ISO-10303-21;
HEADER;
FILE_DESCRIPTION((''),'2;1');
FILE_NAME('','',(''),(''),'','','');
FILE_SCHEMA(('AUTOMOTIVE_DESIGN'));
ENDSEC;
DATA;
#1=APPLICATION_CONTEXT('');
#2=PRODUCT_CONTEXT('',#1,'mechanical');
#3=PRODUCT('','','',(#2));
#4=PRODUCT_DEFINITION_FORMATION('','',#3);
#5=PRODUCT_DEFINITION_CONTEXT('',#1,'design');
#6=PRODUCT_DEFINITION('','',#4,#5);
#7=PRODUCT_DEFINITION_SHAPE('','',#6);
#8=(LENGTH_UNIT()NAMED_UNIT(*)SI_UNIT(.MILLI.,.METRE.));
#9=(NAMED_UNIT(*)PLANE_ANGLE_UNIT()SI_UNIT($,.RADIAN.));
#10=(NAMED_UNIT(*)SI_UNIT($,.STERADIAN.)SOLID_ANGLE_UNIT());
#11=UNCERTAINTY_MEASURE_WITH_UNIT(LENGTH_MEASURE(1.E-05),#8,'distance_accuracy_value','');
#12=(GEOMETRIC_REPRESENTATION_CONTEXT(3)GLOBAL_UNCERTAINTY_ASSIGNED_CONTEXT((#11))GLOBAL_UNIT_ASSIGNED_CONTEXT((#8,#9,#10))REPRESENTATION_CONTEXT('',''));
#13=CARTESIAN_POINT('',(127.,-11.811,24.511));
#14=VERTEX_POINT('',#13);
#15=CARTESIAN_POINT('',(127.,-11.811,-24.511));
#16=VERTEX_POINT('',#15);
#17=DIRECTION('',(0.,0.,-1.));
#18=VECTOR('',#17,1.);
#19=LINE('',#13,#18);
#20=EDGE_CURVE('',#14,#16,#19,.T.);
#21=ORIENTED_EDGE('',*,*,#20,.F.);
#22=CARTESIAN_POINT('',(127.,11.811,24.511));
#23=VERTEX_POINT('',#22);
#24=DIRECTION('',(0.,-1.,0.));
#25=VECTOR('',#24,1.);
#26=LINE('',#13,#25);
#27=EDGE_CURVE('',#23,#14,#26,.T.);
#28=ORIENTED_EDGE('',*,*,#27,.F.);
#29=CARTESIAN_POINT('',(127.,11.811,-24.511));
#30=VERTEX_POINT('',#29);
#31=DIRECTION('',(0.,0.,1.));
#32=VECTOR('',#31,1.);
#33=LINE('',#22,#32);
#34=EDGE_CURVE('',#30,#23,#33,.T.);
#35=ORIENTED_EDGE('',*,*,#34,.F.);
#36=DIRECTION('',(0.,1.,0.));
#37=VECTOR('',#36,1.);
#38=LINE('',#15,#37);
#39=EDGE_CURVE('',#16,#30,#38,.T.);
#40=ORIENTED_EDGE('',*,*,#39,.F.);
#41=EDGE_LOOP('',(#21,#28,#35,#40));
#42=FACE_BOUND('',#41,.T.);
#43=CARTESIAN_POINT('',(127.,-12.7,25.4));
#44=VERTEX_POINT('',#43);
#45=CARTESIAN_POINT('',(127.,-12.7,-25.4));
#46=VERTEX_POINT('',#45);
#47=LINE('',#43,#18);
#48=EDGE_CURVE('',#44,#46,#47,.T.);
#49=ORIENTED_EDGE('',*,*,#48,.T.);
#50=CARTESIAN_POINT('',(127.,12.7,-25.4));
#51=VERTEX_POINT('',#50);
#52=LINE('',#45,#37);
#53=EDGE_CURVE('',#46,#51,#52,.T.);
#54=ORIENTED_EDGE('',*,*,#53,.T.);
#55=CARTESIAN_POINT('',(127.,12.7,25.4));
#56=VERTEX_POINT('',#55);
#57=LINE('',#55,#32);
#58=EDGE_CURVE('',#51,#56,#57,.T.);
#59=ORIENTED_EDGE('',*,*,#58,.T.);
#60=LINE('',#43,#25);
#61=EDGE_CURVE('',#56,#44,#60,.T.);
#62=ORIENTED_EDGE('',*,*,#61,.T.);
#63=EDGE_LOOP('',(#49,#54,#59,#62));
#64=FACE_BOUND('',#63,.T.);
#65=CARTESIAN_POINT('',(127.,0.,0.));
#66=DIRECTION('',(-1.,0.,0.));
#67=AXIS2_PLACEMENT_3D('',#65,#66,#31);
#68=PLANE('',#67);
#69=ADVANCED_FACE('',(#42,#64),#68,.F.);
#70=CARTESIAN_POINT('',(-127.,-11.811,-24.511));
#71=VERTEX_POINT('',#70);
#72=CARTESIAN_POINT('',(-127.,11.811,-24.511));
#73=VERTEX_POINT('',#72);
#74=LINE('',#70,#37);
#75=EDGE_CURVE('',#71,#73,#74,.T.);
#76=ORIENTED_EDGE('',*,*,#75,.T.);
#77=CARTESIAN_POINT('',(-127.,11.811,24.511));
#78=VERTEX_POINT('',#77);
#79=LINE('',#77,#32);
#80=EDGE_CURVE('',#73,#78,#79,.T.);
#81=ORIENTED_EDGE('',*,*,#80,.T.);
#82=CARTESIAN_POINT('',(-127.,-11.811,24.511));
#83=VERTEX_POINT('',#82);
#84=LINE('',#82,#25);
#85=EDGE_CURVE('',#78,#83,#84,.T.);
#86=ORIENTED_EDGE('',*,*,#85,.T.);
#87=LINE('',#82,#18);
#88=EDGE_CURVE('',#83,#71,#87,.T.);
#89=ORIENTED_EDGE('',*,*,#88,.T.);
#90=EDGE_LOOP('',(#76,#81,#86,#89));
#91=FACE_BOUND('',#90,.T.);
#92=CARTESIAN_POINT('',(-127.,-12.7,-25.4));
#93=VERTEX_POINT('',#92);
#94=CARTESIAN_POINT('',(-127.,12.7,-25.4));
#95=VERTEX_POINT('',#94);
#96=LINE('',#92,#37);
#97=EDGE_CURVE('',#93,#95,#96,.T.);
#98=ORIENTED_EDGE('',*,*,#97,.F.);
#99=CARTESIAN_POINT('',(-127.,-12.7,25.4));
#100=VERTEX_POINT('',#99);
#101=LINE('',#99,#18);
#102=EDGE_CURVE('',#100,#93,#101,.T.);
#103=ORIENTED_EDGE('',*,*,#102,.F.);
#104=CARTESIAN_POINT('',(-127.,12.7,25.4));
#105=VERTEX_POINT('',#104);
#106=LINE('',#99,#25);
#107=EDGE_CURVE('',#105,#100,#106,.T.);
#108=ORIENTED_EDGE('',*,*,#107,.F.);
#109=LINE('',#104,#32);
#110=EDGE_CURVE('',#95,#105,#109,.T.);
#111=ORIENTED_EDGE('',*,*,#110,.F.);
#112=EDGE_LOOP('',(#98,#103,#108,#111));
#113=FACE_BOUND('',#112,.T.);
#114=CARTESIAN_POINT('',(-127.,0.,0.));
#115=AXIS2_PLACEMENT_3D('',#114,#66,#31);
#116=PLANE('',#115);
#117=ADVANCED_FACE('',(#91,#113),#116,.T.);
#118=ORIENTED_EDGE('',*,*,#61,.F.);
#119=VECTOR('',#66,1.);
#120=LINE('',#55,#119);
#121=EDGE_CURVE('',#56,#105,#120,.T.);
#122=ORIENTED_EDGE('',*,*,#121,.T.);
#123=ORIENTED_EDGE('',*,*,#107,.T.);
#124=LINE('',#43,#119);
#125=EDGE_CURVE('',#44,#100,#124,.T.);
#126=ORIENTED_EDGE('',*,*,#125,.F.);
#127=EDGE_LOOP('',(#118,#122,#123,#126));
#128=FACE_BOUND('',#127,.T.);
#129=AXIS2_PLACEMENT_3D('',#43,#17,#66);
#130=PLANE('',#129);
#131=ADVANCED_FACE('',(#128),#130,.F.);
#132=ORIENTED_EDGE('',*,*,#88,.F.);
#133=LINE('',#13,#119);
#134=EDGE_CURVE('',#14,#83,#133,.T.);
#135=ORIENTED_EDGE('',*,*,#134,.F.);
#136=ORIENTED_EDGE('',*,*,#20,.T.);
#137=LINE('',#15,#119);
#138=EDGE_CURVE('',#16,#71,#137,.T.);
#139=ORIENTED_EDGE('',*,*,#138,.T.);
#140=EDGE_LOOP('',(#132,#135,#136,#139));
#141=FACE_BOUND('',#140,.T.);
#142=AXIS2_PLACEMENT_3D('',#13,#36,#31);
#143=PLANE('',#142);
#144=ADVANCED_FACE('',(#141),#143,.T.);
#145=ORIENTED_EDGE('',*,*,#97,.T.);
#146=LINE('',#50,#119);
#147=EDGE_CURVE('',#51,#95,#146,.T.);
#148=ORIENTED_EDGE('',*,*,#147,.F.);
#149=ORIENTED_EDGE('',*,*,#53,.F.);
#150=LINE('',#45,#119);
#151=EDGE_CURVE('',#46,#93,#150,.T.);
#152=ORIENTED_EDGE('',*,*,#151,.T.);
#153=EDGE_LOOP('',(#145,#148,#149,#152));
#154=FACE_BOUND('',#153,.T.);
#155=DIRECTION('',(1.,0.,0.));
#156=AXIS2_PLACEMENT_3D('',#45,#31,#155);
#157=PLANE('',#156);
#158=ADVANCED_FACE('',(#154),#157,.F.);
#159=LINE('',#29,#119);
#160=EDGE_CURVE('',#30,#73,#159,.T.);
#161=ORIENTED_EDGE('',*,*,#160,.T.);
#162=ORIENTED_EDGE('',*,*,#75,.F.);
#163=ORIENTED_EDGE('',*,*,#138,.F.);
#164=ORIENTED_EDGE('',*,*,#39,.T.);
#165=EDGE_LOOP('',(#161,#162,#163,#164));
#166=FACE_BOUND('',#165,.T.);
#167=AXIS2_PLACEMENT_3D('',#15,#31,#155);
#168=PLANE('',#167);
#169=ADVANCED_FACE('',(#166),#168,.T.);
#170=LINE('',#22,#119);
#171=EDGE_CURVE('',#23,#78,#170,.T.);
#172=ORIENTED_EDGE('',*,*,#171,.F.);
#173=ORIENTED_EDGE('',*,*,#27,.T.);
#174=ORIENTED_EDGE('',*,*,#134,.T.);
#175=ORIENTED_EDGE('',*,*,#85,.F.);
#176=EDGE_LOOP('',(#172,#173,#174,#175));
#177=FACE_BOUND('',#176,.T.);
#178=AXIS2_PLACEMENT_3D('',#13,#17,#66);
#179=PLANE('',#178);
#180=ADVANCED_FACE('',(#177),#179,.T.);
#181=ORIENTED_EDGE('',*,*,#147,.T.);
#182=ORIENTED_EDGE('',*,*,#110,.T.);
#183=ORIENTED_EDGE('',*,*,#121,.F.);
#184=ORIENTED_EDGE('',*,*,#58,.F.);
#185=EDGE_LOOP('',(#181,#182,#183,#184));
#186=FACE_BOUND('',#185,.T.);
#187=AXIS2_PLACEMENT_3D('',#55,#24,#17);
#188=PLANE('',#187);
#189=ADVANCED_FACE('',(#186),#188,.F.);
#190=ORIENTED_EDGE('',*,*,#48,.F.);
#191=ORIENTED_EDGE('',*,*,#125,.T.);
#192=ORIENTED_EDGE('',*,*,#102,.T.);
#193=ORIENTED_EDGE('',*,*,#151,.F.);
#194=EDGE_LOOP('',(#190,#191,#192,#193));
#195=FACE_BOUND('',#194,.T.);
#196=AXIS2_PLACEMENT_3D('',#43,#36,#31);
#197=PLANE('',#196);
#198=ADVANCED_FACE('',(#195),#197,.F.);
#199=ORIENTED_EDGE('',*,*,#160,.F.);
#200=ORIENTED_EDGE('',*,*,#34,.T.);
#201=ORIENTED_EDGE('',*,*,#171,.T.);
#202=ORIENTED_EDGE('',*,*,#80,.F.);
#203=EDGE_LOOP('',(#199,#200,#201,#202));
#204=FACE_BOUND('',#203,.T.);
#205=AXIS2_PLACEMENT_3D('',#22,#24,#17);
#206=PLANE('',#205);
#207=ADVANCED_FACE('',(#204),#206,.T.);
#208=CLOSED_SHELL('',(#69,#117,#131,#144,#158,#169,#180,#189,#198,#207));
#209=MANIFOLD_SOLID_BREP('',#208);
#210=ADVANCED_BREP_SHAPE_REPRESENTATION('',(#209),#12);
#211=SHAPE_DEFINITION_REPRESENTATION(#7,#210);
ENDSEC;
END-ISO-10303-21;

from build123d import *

# Parameters (mm, degrees)
SKETCH1_W           = 50.8
SKETCH1_H           = 25.4
SKETCH1_W_2         = 49.022
SKETCH1_H_2         = 23.622
BOSS_EXTRUDE1_DEPTH = 127


with BuildPart() as part:
    # Sketch1 → Boss-Extrude1 (new, symmetric)
    with BuildSketch(Plane(origin=(0, 0, 0), x_dir=(0, 0, -1), z_dir=(1, 0, 0))):
        Rectangle(SKETCH1_W, SKETCH1_H)
        Rectangle(SKETCH1_W_2, SKETCH1_H_2, mode=Mode.SUBTRACT)
    extrude(amount=BOSS_EXTRUDE1_DEPTH, both=True)


solid = part.part
